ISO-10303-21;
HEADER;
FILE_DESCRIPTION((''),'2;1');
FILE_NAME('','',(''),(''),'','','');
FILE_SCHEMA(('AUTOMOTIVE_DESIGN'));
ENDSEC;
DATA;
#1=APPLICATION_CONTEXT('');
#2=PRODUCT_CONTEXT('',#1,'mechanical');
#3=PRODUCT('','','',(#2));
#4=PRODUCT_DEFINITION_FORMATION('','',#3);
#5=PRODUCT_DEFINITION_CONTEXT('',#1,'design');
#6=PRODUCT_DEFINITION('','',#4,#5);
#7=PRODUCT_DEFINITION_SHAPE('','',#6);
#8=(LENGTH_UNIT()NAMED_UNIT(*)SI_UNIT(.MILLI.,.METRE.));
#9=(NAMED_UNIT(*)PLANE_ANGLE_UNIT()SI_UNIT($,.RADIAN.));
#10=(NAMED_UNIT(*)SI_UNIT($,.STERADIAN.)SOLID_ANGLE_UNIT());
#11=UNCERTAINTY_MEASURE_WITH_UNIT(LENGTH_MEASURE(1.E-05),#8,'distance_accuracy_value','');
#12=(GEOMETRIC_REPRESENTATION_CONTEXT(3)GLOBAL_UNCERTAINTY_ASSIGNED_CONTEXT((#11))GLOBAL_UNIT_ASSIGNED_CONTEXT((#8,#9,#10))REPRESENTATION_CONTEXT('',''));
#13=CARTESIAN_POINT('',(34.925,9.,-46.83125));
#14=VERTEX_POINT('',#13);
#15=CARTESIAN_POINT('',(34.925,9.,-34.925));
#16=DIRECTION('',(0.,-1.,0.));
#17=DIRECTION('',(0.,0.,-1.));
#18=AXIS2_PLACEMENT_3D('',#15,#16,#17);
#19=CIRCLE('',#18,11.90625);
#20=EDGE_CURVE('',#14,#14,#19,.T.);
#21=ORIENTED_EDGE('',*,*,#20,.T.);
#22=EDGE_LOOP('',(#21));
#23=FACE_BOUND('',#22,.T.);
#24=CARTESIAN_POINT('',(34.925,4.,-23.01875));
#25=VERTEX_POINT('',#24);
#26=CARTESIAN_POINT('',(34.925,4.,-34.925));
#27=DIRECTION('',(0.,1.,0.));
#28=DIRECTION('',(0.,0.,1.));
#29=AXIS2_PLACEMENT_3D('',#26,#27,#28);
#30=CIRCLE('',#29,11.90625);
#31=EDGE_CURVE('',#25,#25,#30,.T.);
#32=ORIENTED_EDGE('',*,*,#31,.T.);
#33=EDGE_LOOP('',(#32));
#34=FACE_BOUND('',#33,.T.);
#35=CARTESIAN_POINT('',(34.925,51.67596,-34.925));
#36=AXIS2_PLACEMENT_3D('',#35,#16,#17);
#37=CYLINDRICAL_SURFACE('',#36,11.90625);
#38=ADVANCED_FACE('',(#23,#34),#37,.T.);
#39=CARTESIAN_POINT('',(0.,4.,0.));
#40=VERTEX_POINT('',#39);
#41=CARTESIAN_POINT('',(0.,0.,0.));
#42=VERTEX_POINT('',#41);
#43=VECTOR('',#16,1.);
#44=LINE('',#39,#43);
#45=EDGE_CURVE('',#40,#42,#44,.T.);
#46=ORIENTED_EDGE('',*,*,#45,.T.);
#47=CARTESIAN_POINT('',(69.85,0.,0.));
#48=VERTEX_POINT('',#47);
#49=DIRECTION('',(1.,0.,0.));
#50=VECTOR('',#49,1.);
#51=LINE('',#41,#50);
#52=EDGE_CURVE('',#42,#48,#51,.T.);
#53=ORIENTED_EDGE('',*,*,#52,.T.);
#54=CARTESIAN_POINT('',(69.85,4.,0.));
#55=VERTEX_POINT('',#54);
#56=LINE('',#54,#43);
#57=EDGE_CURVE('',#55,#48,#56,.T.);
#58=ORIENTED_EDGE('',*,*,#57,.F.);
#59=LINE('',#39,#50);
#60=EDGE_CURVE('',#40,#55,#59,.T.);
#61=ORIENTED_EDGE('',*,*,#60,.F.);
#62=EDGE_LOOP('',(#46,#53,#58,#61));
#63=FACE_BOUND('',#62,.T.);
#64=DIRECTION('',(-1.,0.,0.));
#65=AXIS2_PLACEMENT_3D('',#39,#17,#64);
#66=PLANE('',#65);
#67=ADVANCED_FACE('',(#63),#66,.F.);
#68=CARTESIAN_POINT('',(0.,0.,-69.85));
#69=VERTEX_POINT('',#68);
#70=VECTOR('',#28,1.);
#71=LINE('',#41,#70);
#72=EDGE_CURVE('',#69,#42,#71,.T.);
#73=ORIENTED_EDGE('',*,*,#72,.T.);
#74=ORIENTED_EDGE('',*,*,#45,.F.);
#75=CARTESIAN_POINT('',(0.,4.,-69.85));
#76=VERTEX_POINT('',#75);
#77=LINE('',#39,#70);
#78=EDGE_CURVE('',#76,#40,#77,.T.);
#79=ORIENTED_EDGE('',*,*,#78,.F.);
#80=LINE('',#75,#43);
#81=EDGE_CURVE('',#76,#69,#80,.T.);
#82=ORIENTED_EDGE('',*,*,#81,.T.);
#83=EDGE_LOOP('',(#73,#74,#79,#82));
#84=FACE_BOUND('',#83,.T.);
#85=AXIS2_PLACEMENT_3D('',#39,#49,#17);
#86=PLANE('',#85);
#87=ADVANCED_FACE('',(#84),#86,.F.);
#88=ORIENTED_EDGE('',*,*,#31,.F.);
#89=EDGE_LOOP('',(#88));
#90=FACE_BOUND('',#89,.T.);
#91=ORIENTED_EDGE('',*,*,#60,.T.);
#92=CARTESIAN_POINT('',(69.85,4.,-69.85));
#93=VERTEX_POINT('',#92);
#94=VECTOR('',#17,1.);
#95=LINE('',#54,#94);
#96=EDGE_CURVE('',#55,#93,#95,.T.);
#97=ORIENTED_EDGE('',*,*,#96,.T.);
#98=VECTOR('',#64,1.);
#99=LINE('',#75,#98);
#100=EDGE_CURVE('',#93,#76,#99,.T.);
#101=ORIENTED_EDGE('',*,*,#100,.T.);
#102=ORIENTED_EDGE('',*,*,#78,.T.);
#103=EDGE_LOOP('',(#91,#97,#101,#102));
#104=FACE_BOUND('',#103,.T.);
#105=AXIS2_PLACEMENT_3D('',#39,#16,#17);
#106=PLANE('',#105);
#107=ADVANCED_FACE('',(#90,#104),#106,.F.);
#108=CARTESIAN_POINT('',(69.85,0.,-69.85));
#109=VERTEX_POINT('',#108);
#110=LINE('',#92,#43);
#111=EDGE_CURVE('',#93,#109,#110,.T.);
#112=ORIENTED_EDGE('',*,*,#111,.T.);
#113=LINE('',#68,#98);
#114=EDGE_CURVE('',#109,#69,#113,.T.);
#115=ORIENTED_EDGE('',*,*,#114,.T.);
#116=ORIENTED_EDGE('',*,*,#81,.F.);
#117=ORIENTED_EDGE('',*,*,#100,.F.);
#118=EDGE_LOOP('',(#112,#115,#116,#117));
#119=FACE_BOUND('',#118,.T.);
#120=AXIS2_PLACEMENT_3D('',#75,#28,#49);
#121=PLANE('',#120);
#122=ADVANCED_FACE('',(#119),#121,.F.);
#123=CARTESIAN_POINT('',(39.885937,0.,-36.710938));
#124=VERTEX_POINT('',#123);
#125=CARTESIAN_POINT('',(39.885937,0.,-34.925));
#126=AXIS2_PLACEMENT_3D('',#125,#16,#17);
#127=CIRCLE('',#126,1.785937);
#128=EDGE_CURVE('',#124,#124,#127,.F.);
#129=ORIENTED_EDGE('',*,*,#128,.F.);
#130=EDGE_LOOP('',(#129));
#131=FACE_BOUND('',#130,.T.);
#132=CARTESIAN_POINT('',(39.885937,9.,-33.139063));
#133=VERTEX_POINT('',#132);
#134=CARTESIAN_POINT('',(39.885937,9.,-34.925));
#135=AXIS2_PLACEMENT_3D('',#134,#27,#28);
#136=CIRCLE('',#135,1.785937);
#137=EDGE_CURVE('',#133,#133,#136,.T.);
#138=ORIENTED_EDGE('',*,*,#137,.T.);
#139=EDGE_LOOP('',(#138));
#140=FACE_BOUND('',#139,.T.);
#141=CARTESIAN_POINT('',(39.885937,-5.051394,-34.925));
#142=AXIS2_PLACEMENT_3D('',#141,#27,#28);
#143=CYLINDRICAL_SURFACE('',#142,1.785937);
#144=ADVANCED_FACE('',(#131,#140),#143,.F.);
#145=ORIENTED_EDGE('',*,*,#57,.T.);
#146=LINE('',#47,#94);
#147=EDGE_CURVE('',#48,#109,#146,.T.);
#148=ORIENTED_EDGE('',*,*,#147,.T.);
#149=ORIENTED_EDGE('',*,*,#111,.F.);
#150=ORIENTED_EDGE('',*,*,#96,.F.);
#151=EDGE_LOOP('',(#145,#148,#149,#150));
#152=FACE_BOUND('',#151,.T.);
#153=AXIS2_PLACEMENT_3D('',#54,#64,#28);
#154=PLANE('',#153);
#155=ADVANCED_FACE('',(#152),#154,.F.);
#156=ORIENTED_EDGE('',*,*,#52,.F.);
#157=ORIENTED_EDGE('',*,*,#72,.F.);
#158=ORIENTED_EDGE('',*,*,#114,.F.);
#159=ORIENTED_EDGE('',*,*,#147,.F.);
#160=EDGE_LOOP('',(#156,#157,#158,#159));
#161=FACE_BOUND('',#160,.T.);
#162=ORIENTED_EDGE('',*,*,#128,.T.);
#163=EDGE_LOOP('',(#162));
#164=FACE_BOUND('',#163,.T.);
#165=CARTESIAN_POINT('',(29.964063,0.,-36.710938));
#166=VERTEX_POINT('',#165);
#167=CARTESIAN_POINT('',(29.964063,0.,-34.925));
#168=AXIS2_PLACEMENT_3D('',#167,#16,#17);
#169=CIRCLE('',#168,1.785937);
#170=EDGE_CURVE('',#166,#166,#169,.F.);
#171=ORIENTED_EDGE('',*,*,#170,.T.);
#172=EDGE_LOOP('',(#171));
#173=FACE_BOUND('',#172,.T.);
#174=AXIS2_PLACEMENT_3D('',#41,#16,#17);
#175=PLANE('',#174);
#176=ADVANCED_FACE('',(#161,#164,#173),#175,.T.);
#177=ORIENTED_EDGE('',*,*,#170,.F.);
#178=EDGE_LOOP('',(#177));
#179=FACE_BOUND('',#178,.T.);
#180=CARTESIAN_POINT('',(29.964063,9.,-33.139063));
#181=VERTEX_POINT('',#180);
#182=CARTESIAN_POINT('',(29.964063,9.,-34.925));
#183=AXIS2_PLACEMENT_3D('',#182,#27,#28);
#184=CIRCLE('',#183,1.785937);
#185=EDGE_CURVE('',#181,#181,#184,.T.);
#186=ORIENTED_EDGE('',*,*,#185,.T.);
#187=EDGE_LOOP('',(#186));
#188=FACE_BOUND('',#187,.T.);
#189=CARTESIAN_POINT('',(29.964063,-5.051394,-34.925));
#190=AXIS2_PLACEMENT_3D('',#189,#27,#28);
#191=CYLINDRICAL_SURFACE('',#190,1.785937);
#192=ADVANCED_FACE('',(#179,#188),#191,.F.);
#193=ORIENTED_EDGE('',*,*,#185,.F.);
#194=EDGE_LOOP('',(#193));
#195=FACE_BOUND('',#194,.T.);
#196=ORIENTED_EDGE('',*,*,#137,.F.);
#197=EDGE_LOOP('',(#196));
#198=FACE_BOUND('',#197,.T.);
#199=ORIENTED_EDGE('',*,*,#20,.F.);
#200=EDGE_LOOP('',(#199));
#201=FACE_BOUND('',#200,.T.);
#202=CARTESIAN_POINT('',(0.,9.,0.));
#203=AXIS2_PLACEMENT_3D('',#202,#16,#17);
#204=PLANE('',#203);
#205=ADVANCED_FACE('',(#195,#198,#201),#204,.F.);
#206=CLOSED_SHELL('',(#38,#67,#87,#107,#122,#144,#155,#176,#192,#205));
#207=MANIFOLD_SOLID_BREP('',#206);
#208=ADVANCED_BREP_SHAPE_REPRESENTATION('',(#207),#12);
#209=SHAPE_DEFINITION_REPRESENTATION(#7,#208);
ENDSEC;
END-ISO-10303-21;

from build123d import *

# Parameters (mm, degrees)
SKETCH1_W           = 69.85
SKETCH1_H           = 69.85
BOSS_EXTRUDE1_DEPTH = 4
SKETCH2_R           = 11.90625
BOSS_EXTRUDE2_DEPTH = 5
SKETCH3_R           = 1.7859375
CUT_EXTRUDE1_DEPTH  = 9


with BuildPart() as part:
    # Sketch1 → Boss-Extrude1 (new body)
    with BuildSketch(Plane(origin=(0, 0, 0), x_dir=(1, 0, 0), z_dir=(0, 1, 0))):
        with Locations((34.925, 34.925)):
            Rectangle(SKETCH1_W, SKETCH1_H)
    extrude(amount=BOSS_EXTRUDE1_DEPTH)

    # Sketch2 → Boss-Extrude2 (add)
    with BuildSketch(Plane(origin=(0, 4, 0), x_dir=(1, 0, 0), z_dir=(0, 1, 0))):
        with Locations((34.925, 34.925)):
            Circle(SKETCH2_R)
    extrude(amount=BOSS_EXTRUDE2_DEPTH)

    # Sketch3 → Cut-Extrude1 (cut)
    with BuildSketch(Plane(origin=(0, 9, 0), x_dir=(1, 0, 0), z_dir=(0, 1, 0))):
        with Locations((29.9640625, 34.925)):
            Circle(SKETCH3_R)
        with Locations((39.8859375, 34.925)):
            Circle(SKETCH3_R)
    extrude(amount=-CUT_EXTRUDE1_DEPTH, mode=Mode.SUBTRACT)


solid = part.part
